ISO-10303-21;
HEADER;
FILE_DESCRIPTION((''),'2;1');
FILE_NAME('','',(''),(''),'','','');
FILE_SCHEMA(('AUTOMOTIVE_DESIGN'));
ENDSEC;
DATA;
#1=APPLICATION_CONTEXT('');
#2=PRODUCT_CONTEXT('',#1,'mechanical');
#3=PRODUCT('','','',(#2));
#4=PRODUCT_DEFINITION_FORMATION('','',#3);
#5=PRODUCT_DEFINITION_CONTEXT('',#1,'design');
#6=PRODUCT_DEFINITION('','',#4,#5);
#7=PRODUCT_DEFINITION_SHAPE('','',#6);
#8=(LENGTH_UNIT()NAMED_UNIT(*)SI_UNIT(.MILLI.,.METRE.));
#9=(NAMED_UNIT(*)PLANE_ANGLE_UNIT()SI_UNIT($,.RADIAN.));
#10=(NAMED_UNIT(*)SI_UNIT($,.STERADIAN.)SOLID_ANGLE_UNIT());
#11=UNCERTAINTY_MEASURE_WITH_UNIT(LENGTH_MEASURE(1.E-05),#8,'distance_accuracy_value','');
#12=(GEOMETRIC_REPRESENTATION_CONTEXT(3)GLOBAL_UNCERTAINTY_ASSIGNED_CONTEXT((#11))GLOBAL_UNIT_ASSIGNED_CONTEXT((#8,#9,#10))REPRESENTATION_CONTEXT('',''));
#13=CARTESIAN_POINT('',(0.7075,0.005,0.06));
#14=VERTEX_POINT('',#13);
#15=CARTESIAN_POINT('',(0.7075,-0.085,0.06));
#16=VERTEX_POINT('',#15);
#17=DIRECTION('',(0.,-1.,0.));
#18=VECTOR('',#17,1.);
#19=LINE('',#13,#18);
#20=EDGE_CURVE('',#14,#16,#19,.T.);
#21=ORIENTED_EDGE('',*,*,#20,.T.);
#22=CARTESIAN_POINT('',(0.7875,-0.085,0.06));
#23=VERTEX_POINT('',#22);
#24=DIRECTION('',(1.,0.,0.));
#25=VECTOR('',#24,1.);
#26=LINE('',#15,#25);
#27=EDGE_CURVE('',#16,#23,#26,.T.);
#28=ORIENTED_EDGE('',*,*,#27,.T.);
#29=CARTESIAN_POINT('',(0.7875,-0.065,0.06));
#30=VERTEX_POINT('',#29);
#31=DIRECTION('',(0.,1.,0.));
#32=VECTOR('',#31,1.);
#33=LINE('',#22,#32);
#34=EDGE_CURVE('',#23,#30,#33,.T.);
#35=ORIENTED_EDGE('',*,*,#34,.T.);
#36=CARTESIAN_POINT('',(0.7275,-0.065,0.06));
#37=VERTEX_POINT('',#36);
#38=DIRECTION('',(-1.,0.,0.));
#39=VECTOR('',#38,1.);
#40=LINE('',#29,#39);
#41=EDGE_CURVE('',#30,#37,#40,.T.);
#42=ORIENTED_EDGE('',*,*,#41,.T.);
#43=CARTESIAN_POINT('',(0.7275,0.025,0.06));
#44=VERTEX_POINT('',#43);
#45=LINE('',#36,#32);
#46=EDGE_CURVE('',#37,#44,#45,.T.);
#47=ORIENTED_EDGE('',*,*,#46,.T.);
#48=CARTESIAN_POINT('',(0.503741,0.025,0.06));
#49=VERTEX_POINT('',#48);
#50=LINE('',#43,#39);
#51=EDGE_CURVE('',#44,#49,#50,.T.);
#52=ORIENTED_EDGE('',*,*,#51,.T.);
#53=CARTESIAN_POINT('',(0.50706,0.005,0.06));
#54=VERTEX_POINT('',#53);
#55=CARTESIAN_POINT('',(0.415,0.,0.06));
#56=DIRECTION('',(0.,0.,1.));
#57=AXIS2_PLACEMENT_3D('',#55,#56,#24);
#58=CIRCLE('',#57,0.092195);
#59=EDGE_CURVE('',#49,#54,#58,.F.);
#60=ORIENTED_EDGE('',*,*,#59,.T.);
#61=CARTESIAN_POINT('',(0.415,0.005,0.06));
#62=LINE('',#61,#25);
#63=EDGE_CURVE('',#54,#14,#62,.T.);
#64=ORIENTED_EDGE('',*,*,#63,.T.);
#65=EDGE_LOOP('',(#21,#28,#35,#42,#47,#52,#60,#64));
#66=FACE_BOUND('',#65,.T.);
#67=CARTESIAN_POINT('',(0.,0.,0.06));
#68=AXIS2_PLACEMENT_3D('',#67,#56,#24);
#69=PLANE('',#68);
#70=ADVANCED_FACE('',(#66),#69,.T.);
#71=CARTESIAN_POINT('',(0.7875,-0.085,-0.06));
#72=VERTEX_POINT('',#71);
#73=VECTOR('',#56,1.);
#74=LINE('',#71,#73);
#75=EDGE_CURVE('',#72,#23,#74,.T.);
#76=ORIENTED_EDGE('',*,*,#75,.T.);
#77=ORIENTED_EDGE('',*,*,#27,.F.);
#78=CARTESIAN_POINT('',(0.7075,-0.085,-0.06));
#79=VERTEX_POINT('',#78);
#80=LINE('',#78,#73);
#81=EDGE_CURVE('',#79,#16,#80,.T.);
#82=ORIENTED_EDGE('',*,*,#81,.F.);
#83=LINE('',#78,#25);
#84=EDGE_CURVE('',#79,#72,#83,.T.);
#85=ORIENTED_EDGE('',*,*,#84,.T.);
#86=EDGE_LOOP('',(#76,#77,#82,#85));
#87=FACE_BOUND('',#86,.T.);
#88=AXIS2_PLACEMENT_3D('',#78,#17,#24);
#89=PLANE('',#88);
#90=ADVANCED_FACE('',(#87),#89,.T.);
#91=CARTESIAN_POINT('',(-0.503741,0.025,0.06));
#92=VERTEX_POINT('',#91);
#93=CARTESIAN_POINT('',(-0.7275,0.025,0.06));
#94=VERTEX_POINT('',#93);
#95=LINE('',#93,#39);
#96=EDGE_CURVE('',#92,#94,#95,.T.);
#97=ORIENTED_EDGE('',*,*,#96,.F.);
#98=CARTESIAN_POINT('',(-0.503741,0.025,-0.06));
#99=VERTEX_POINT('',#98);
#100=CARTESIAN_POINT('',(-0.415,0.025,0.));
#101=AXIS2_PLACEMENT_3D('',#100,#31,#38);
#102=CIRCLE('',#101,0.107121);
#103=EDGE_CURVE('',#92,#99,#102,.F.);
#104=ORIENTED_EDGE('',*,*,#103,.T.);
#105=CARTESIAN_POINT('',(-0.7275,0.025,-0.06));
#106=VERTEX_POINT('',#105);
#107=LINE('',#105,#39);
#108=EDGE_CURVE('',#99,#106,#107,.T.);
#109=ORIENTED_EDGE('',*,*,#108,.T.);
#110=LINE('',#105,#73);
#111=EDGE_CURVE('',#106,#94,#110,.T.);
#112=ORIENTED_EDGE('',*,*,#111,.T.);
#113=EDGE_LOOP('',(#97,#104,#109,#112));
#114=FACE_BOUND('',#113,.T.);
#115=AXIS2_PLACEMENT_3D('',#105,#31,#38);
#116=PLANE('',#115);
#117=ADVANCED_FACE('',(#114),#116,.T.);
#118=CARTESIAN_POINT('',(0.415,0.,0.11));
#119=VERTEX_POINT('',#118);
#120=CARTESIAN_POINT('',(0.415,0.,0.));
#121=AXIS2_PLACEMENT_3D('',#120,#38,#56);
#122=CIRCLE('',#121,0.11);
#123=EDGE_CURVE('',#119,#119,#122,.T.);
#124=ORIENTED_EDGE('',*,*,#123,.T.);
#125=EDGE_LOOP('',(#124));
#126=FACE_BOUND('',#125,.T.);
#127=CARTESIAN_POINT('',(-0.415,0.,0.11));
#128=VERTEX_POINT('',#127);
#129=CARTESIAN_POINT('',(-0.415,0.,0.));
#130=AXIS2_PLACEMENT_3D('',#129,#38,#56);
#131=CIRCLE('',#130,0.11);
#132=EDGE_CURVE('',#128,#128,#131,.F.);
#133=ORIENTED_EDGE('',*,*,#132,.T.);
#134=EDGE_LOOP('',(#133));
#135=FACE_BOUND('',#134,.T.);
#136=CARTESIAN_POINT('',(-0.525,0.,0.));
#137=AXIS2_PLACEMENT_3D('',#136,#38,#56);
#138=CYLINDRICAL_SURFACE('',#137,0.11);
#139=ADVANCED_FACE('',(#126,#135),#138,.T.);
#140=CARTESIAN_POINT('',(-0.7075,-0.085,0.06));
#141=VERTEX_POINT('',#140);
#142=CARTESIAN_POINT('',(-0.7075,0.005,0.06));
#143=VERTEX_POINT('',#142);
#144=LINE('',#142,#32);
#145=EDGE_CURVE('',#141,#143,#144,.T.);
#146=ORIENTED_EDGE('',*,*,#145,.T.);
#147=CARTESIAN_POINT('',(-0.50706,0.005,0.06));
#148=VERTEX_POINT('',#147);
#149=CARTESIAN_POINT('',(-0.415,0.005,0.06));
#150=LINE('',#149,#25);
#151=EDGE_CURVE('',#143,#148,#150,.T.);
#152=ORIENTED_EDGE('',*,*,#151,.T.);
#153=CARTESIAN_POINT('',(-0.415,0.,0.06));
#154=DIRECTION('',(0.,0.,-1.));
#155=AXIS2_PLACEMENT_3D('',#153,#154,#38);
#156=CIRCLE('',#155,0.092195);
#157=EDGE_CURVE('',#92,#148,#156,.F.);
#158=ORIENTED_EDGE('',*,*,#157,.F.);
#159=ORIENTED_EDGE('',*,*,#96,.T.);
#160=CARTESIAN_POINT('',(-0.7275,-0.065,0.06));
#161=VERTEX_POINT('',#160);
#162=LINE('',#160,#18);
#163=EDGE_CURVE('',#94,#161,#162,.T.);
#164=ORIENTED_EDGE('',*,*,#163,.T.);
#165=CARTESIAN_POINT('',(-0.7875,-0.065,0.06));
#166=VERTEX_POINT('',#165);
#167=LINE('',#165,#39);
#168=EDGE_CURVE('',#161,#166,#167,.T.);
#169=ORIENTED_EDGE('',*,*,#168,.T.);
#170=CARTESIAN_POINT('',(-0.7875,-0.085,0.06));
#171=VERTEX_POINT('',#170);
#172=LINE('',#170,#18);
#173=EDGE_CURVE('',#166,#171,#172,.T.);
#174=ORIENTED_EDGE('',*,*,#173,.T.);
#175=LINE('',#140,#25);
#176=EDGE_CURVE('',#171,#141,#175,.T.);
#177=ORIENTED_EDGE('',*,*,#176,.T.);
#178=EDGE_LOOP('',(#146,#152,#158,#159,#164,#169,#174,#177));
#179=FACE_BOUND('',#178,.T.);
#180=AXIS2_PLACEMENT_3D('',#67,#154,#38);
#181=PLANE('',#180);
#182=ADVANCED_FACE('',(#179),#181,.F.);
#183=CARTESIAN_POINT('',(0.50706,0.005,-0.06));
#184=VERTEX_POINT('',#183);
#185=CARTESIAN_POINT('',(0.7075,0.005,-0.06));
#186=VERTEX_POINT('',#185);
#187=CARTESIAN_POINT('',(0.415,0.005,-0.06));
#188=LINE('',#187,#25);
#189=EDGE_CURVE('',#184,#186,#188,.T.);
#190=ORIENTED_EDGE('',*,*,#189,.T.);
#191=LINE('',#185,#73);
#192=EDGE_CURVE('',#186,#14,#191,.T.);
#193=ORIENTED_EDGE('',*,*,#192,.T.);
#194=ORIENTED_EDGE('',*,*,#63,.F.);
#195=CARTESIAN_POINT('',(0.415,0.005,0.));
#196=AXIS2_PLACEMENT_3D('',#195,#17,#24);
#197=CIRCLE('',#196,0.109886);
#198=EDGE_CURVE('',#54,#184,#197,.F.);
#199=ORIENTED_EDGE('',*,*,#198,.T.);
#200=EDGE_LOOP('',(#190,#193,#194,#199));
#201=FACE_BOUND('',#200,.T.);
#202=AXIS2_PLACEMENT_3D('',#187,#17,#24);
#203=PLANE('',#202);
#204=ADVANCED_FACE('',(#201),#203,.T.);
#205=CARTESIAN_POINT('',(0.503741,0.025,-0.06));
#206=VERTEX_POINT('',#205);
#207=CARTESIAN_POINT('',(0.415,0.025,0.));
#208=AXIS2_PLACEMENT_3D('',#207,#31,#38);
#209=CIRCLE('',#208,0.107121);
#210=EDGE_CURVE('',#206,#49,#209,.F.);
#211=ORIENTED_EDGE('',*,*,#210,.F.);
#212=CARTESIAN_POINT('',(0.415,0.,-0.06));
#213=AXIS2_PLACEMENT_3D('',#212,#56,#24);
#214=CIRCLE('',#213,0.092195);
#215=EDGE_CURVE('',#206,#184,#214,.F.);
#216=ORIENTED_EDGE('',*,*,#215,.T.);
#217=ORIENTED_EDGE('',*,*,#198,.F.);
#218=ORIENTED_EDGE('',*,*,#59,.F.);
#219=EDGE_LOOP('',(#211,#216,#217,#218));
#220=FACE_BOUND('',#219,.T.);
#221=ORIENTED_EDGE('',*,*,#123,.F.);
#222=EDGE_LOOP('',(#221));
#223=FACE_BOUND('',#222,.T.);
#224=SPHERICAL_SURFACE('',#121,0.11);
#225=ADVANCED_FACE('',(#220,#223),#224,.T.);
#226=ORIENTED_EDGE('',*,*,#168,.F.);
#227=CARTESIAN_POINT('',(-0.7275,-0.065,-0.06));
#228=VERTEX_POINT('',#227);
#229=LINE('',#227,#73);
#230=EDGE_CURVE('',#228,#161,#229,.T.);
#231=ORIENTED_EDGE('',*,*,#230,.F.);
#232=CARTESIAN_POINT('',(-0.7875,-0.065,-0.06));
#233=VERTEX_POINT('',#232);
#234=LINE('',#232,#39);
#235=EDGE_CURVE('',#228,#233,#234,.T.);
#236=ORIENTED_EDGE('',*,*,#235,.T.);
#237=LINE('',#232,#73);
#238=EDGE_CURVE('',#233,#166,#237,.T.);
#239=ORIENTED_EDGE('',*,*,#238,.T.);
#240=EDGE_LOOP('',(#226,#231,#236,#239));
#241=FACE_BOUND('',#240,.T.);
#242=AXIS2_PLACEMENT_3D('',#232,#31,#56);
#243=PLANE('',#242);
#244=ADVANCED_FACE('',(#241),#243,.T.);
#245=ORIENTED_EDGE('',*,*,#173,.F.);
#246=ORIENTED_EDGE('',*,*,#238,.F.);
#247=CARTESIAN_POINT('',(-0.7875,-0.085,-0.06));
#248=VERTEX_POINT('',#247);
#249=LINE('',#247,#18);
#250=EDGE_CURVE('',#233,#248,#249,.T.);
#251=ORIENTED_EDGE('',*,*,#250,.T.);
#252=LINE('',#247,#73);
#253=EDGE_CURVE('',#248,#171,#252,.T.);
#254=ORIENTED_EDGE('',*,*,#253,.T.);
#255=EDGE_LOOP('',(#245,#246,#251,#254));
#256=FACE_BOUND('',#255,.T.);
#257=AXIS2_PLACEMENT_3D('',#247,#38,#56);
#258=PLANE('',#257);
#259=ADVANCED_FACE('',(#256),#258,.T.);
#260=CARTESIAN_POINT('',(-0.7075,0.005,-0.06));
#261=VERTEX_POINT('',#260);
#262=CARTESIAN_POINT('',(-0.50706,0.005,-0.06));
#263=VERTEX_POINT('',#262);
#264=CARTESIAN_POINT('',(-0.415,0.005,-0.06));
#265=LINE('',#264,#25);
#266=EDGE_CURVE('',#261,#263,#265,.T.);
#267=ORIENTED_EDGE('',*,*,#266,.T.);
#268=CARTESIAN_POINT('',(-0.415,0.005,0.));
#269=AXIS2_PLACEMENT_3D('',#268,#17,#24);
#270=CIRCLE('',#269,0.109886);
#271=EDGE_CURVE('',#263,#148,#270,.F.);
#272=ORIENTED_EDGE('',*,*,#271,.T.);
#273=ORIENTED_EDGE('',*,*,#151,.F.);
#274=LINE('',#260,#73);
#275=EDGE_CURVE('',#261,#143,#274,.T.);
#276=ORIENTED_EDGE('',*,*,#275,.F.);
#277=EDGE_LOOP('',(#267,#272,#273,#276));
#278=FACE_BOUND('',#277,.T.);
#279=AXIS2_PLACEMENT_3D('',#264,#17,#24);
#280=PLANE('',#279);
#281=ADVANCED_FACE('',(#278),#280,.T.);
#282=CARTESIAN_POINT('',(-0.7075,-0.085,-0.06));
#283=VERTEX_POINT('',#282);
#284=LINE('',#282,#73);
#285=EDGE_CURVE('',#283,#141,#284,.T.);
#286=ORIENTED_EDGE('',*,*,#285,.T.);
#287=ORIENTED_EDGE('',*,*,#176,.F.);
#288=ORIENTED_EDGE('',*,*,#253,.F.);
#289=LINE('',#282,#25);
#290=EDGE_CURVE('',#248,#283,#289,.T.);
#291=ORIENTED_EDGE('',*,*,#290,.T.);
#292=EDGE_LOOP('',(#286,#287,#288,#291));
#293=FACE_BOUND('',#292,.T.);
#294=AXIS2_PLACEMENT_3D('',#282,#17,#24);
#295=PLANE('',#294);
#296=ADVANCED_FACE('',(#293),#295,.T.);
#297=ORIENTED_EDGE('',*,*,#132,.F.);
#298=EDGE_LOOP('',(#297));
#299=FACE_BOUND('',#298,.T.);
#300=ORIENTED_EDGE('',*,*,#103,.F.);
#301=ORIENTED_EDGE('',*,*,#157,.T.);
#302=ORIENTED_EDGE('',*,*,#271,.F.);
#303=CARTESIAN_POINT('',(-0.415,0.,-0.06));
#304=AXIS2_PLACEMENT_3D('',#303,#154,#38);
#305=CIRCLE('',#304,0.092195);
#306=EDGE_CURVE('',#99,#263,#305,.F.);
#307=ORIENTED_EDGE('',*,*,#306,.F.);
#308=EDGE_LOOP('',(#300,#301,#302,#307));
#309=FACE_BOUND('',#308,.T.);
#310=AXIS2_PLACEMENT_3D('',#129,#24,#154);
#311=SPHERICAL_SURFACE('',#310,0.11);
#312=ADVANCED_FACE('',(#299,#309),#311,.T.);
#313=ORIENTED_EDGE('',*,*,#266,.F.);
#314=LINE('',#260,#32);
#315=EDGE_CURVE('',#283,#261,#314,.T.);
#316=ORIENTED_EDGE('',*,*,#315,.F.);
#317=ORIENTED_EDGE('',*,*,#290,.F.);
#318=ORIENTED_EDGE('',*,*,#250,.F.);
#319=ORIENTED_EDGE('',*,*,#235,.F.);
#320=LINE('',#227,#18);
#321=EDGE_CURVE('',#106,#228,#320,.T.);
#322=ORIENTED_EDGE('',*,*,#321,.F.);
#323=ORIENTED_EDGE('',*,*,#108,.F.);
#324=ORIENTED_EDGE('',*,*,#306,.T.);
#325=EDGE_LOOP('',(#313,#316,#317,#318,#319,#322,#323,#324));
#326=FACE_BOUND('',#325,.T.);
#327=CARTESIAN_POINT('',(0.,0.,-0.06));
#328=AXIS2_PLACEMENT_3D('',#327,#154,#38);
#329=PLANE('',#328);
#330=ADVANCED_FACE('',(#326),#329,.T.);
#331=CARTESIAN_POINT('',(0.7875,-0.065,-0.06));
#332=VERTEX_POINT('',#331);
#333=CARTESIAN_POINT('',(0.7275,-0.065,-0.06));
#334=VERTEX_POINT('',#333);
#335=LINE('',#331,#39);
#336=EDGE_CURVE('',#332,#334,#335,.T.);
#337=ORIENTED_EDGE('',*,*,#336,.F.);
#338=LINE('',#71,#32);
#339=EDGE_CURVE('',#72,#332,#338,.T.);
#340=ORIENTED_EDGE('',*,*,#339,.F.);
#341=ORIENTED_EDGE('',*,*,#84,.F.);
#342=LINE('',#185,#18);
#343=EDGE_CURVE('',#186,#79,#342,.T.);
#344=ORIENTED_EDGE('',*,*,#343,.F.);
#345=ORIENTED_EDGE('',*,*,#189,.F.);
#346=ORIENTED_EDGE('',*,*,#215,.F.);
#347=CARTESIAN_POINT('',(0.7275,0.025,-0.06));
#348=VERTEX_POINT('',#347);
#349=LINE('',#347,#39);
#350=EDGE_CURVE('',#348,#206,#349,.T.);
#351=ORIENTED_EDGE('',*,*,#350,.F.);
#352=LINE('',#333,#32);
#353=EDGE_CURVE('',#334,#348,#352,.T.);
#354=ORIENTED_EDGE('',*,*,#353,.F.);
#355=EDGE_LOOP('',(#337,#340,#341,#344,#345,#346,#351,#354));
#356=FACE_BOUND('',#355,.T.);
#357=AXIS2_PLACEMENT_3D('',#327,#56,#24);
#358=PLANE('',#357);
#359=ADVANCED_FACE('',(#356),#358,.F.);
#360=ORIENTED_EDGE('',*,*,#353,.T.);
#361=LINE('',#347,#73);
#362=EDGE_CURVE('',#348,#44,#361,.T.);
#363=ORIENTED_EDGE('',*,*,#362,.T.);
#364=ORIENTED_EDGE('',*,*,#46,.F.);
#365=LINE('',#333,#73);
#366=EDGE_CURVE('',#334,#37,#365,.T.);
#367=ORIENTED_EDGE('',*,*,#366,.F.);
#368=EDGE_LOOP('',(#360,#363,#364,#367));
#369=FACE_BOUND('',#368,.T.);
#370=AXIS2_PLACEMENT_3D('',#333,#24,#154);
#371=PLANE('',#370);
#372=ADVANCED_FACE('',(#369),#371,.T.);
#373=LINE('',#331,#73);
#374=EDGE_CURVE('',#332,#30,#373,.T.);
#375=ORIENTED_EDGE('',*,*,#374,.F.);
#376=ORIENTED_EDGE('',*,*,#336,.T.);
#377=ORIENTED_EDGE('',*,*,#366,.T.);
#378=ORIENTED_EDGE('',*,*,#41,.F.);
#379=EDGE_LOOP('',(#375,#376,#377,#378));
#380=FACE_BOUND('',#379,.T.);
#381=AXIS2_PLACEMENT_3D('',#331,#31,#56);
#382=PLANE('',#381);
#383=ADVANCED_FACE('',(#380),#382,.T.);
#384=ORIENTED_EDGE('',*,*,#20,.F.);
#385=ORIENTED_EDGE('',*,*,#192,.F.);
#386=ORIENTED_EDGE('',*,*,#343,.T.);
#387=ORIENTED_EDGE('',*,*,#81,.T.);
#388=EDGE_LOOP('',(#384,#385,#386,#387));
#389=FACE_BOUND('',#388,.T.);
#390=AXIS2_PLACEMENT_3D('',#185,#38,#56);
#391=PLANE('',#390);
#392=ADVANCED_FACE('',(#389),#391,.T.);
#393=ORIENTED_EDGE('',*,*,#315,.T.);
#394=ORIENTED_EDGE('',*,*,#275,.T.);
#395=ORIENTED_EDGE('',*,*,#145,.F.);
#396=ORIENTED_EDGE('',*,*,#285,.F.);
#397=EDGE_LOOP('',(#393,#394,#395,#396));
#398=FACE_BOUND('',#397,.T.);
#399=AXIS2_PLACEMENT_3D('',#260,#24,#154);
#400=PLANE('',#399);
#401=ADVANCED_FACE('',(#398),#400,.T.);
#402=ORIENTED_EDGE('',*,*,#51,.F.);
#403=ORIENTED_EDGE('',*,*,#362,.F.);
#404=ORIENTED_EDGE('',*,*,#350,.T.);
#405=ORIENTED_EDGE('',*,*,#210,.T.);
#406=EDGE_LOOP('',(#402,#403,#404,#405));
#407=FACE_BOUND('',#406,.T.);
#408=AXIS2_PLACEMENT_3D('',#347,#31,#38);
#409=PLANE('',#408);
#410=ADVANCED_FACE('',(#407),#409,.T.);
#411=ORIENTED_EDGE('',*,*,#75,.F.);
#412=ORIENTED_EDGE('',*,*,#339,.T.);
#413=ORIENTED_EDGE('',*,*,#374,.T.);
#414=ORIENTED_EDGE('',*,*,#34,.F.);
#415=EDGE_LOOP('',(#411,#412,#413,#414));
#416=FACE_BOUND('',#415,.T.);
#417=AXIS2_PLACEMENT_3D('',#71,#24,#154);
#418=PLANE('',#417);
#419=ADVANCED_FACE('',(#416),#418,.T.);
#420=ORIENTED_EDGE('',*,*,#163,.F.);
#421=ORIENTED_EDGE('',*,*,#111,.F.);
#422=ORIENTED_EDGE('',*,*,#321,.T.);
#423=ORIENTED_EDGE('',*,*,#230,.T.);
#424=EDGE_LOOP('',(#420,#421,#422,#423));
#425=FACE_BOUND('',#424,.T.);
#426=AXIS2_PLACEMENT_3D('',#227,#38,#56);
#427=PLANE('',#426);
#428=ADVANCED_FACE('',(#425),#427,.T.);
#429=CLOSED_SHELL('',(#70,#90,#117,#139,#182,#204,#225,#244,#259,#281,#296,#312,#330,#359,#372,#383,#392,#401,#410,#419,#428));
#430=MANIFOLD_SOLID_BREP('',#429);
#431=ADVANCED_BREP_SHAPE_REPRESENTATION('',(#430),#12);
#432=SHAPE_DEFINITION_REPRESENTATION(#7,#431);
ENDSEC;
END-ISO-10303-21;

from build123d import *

# Parameters (mm, degrees)
ESQUISSE1_W             = 1.05
ESQUISSE1_H             = 0.11
CONG_2_R                = 0.11
BOSS_EXTRU_1_DEPTH      = 0.06
BOSS_EXTRU_1_DEPTH_BACK = 0.06


with BuildPart() as part:
    # Esquisse1 → Révolution2 (revolve)
    with BuildSketch(Plane(origin=(0, 0, 0), x_dir=(1, 0, 0), z_dir=(0, 1, 0))):
        with Locations((0, 0.055)):
            Rectangle(ESQUISSE1_W, ESQUISSE1_H)
    revolve(axis=Axis((-0.525, 0, 0), (1, 0, 0)))

    # Congé2
    cong_2_edges = [part.edges().sort_by_distance(p)[0] for p in [
        (0.525, 0, 0.11),
        (-0.525, 0, 0.11),
    ]]
    fillet(cong_2_edges, radius=CONG_2_R)

    # Esquisse2 → Boss.-Extru.1 (add, two sides: drawn at the far end of the back side and taken through both)
    with BuildSketch(Plane.XY.offset(-BOSS_EXTRU_1_DEPTH_BACK)):
        Polygon((-0.7075, -0.085), (-0.7875, -0.085), (-0.7875, -0.065), (-0.7275, -0.065), (-0.7275, 0.025), (-0.415, 0.025), (-0.415, 0.005), (-0.7075, 0.005), align=None)
        Polygon((0.415, 0.005), (0.7075, 0.005), (0.7075, -0.085), (0.7875, -0.085), (0.7875, -0.065), (0.7275, -0.065), (0.7275, 0.025), (0.415, 0.025), align=None)
    extrude(amount=BOSS_EXTRU_1_DEPTH + BOSS_EXTRU_1_DEPTH_BACK)


solid = part.part
